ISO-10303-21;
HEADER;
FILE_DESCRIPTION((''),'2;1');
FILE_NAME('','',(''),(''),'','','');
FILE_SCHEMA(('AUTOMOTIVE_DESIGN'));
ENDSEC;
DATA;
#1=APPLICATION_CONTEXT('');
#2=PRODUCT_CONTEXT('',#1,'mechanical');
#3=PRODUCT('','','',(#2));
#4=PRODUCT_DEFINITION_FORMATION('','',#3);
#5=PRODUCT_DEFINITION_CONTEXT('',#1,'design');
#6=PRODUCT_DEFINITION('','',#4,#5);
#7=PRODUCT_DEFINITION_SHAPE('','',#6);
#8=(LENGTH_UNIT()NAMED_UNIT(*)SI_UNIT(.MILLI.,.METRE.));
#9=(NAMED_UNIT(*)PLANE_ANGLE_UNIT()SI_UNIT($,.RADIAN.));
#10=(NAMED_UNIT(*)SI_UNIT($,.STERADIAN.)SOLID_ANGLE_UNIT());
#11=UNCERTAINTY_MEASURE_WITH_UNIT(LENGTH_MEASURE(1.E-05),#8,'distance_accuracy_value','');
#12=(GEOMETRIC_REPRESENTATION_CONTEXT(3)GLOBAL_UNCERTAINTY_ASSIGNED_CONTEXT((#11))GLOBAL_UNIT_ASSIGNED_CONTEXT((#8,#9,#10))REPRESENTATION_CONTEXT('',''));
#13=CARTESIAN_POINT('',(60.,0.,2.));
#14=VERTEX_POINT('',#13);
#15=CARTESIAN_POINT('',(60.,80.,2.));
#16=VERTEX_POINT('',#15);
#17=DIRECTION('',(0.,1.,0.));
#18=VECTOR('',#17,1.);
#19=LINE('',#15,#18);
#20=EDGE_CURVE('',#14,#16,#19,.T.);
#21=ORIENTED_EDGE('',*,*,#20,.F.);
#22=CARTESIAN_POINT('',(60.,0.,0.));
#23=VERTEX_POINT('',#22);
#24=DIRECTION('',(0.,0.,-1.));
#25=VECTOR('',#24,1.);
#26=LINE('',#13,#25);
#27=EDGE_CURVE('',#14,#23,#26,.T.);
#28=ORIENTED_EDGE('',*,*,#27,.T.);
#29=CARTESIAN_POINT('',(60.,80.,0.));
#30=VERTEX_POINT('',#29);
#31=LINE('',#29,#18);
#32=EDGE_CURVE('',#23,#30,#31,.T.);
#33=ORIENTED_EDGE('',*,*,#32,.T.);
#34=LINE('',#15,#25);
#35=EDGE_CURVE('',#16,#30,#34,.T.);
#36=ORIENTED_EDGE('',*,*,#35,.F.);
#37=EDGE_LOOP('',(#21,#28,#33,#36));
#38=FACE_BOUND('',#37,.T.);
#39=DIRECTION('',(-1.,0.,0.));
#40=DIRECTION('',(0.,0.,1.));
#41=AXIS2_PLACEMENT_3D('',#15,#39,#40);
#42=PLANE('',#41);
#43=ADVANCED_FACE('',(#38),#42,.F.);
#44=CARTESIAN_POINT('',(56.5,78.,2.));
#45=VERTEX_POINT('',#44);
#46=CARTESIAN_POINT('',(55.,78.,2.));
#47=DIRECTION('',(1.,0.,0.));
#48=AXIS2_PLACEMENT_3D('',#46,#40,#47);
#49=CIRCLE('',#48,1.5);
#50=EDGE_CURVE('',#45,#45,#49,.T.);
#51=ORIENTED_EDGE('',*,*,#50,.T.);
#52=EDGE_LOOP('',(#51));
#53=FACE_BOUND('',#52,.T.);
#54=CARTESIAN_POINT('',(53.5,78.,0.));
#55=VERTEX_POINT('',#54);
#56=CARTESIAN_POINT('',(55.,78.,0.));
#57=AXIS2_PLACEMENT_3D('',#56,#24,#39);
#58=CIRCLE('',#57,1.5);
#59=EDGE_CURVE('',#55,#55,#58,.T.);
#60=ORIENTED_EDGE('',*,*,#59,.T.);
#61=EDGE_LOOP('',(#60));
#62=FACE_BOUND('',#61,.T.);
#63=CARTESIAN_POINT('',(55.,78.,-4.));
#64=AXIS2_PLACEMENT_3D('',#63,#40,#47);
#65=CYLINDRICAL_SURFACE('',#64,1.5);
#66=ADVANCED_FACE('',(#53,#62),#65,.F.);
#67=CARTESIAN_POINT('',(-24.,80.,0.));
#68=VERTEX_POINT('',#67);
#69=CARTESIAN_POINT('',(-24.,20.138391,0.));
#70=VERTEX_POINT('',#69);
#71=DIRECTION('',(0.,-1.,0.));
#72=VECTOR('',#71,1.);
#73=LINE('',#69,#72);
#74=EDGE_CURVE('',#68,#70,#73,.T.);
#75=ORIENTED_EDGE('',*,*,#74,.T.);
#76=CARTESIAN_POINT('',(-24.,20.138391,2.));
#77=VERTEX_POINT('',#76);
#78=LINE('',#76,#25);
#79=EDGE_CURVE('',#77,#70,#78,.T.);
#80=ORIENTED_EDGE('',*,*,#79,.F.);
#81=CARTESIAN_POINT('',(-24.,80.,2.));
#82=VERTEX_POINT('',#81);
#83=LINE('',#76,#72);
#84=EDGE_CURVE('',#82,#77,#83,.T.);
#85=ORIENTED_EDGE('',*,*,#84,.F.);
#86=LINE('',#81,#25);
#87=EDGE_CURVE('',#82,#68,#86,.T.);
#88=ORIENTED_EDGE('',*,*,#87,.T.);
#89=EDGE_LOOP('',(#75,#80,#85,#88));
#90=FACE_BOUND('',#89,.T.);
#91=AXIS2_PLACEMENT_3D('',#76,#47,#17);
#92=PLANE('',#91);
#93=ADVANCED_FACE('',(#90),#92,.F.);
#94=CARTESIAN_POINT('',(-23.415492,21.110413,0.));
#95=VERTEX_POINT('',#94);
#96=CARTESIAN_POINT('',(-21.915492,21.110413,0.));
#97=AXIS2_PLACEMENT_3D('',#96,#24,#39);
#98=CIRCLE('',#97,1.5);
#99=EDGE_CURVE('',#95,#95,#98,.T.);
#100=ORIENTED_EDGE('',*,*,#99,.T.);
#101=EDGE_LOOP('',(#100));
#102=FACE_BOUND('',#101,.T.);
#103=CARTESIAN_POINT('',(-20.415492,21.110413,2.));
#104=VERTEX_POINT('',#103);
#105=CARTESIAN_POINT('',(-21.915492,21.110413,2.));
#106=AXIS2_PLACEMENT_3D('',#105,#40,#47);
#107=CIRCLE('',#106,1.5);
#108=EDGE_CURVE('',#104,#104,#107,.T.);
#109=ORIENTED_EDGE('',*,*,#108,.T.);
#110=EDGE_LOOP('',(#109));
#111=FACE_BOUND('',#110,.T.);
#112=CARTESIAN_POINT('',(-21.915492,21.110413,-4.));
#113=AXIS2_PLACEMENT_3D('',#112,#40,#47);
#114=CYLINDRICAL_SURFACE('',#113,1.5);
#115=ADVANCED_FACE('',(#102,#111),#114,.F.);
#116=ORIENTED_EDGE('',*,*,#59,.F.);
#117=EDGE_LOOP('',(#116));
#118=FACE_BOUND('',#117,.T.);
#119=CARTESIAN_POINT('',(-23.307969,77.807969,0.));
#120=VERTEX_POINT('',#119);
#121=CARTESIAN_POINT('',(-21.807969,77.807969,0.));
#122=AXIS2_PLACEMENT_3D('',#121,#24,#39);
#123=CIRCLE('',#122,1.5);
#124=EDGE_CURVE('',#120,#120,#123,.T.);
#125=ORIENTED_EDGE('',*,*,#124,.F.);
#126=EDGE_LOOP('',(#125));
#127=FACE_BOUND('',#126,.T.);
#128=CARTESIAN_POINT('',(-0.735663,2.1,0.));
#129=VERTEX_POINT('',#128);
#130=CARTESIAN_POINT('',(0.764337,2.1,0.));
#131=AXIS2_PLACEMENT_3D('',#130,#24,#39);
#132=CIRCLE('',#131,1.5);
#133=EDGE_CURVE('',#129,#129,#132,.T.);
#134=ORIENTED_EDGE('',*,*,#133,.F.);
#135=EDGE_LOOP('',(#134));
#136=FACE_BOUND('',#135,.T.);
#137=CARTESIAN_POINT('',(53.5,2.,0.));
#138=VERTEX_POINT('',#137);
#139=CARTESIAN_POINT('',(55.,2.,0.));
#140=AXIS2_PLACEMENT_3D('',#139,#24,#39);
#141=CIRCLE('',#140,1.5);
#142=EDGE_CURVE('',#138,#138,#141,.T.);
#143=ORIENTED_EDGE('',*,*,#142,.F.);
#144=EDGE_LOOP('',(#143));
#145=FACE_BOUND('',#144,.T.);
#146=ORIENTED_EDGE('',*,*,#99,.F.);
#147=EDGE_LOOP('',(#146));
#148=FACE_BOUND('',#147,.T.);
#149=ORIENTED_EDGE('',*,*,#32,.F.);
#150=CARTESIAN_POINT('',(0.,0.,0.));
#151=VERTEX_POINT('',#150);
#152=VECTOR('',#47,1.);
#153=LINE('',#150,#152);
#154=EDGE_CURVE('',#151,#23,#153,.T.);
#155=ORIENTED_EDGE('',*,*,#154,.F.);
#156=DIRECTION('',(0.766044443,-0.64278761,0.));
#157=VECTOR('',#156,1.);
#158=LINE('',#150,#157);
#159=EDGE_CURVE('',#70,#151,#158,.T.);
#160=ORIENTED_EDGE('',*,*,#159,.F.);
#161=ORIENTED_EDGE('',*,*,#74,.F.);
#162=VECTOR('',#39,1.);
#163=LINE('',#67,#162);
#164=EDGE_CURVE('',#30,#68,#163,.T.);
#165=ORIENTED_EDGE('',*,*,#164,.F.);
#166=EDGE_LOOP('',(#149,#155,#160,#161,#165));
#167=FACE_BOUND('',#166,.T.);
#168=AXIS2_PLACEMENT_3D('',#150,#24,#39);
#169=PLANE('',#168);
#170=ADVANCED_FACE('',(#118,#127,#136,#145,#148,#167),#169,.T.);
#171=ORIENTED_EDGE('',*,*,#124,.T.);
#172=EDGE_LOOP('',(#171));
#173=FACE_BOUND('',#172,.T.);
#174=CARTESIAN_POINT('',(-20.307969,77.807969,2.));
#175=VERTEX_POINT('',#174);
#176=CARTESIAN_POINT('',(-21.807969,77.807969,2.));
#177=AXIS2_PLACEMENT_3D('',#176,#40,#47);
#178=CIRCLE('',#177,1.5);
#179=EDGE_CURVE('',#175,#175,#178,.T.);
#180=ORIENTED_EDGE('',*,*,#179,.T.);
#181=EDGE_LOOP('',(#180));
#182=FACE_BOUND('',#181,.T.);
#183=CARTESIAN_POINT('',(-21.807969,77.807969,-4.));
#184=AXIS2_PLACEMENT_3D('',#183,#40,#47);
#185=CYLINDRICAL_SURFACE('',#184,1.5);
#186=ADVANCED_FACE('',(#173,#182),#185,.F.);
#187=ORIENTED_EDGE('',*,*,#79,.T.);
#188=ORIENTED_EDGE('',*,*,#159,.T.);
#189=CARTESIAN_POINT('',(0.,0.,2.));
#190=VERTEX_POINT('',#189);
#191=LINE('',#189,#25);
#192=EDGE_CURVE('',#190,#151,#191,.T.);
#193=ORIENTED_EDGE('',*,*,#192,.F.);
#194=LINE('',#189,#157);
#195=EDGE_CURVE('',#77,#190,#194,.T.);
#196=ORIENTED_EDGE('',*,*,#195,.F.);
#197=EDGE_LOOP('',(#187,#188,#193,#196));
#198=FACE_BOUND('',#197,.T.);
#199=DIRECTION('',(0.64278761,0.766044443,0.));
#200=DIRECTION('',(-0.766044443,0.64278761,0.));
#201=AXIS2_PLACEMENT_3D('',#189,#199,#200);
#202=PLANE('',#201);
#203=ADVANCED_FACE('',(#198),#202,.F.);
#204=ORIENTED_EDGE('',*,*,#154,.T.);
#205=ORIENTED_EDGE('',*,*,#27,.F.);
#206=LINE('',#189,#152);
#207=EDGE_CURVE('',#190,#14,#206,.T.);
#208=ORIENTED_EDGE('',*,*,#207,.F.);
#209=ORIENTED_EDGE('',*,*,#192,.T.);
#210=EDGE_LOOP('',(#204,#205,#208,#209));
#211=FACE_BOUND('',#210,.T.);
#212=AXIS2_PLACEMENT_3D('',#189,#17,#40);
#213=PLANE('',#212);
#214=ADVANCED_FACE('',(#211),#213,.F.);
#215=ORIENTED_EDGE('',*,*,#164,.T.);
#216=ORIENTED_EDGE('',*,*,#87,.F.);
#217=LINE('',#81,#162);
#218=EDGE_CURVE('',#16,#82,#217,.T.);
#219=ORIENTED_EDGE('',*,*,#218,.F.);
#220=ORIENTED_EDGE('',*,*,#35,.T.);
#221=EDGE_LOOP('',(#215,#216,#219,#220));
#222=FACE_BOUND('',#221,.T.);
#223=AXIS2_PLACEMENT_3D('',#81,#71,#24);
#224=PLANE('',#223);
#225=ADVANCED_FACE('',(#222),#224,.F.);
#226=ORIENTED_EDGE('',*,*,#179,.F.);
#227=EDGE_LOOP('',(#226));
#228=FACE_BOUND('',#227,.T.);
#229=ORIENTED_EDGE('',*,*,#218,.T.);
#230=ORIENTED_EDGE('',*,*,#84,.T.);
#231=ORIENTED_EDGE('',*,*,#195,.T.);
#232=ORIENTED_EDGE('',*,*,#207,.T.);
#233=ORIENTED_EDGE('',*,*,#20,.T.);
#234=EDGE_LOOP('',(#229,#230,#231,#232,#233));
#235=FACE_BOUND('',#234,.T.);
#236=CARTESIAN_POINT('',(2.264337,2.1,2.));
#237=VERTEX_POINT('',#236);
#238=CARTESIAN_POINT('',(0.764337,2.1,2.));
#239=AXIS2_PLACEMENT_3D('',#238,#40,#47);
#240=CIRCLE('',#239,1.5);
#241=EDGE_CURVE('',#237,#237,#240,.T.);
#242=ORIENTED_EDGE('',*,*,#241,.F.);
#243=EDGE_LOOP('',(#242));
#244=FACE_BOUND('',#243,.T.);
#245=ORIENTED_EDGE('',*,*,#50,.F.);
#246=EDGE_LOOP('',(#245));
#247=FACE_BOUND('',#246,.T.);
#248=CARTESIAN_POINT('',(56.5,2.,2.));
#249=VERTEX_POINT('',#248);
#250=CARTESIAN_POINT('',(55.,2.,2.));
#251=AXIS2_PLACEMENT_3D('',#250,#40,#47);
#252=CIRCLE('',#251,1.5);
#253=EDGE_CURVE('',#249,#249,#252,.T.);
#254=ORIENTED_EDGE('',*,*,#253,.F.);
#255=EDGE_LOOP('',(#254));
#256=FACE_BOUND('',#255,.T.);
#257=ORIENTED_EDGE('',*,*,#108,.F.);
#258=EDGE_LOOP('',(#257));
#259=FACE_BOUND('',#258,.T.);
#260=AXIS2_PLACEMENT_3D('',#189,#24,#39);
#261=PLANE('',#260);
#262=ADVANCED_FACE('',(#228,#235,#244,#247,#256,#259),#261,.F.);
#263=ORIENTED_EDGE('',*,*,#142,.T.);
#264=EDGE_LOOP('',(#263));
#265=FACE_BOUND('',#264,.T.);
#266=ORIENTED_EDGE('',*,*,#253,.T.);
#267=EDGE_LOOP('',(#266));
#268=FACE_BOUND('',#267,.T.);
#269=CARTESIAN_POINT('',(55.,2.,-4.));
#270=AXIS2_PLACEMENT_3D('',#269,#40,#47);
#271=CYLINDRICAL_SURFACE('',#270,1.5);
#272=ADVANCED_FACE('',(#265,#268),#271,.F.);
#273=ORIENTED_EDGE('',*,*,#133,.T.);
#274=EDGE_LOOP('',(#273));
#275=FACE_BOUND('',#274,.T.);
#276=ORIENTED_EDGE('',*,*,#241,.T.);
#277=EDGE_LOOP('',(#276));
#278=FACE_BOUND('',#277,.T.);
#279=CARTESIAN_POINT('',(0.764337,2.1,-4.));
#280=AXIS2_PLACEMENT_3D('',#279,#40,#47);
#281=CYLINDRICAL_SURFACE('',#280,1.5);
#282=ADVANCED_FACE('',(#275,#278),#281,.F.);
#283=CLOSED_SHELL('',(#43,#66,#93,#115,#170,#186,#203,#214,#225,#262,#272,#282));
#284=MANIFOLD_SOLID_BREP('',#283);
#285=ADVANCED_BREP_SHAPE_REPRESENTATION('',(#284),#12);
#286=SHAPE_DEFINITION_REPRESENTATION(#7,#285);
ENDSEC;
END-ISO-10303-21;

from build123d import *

# Parameters (mm, degrees)
SALIENTE_EXTRUIR1_DEPTH = 2
CROQUIS9_R              = 1.5
CORTAR_EXTRUIR5_DEPTH   = 6


with BuildPart() as part:
    # Croquis1 → Saliente-Extruir1 (new body)
    with BuildSketch(Plane.XY):
        Polygon((0, 0), (60, 0), (60, 80), (-24, 80), (-24, 20.138391148), align=None)
    extrude(amount=SALIENTE_EXTRUIR1_DEPTH)

    # Croquis9 → Cortar-Extruir5 (cut)
    with BuildSketch(Plane.XY.offset(2)):
        with Locations((-21.807968978, 77.807968978)):
            Circle(CROQUIS9_R)
        with Locations((-21.91549209, 21.11041315)):
            Circle(CROQUIS9_R)
        with Locations((0.764337492, 2.1)):
            Circle(CROQUIS9_R)
        with Locations((55, 78)):
            Circle(CROQUIS9_R)
        with Locations((55, 2)):
            Circle(CROQUIS9_R)
    extrude(amount=-CORTAR_EXTRUIR5_DEPTH, mode=Mode.SUBTRACT)


solid = part.part
